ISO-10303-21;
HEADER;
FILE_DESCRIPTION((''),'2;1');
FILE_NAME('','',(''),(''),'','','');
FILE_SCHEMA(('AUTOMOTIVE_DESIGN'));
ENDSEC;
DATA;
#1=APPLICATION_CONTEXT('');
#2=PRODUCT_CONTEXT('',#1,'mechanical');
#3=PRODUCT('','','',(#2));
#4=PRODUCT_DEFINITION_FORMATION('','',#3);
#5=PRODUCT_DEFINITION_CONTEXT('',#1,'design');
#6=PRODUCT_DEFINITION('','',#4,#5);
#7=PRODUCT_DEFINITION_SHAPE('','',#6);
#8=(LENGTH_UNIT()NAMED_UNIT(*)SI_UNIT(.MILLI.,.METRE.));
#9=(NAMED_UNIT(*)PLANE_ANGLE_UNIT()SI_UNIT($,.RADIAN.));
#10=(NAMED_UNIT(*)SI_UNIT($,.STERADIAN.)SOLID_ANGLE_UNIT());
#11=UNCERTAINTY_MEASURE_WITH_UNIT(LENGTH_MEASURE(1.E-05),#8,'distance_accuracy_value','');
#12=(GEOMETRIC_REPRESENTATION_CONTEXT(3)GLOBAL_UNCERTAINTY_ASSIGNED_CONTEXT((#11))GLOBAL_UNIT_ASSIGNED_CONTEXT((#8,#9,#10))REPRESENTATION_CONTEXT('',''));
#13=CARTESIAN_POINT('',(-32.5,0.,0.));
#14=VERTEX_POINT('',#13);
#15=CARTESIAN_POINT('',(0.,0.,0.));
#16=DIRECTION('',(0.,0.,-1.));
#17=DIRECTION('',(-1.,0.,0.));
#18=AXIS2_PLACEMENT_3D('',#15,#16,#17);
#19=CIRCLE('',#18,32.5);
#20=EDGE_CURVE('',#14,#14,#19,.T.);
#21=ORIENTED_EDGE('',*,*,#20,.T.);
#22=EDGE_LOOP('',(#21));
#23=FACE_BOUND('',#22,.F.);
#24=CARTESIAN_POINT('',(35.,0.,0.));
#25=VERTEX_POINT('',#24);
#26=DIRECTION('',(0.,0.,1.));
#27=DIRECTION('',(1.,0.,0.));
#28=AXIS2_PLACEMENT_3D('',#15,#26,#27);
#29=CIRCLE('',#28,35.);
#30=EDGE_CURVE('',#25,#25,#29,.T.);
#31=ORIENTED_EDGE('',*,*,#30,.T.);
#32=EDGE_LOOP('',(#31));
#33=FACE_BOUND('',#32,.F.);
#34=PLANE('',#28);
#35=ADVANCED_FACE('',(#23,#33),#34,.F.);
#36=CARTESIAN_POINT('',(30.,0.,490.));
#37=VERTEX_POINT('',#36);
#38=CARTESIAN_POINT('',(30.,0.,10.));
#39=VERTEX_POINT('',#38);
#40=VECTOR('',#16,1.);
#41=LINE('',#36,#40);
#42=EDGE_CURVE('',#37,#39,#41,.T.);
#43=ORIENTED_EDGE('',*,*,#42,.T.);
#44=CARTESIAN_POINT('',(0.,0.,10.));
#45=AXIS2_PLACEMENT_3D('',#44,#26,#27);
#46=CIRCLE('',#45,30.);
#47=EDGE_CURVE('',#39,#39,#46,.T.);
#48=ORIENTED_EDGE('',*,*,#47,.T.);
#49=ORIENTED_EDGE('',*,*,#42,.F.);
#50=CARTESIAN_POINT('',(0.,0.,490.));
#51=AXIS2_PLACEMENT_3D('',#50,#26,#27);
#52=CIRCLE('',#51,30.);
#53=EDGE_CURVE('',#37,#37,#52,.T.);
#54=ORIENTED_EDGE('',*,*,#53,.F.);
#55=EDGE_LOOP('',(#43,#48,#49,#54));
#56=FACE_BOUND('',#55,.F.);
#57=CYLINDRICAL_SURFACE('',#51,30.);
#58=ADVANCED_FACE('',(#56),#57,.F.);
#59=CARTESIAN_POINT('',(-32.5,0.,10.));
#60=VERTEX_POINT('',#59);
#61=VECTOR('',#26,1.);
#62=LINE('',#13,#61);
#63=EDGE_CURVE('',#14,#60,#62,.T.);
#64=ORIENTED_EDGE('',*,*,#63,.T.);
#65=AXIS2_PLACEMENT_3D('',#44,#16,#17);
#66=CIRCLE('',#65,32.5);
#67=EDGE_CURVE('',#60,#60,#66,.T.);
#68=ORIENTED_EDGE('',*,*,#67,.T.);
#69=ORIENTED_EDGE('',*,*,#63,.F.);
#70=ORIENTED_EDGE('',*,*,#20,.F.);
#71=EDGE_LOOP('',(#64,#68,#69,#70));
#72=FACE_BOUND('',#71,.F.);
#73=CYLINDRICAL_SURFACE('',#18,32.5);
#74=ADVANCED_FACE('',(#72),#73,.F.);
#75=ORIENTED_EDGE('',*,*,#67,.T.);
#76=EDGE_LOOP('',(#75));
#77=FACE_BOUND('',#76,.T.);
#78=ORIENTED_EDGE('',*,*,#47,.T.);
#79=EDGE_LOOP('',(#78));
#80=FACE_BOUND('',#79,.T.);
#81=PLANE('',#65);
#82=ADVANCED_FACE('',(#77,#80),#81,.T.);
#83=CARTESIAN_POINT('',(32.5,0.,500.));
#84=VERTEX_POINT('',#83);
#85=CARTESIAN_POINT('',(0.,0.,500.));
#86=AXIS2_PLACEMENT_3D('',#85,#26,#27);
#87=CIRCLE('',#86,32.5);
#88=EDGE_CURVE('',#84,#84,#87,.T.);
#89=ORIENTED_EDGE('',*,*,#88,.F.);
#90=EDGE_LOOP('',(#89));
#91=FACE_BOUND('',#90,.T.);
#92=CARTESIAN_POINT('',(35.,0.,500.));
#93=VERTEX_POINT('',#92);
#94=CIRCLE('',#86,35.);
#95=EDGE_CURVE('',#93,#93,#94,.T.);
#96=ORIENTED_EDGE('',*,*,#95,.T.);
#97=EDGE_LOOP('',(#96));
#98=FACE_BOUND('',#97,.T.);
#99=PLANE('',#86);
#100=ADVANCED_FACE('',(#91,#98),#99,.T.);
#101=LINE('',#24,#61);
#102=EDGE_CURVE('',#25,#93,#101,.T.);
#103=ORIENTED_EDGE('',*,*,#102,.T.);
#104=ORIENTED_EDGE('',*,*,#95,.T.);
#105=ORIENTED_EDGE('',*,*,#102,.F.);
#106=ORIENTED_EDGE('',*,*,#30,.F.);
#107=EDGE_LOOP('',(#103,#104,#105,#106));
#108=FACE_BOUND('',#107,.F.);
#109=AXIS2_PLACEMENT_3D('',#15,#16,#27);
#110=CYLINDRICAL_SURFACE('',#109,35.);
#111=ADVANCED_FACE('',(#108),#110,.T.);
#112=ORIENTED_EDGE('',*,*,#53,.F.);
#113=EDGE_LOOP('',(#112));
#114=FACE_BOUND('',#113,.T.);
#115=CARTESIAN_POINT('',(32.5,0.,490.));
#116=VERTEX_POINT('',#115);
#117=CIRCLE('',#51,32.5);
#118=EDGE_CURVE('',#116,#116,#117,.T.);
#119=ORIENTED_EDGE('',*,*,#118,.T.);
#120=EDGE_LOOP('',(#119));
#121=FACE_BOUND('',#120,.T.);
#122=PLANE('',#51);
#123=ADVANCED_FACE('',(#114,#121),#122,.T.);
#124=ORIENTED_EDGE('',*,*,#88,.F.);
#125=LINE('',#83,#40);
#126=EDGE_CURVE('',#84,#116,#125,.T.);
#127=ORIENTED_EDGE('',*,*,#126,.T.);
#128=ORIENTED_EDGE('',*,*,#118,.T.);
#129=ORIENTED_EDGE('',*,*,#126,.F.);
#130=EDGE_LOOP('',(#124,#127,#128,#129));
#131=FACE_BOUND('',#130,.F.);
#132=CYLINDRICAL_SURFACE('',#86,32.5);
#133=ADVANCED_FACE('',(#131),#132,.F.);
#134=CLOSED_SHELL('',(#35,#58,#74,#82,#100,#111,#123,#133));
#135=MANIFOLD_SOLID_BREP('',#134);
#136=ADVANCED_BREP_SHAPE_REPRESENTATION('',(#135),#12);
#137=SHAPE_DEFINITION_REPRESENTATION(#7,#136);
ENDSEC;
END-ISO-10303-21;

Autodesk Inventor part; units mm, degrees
ref_plane "YZ Plane" through (0, 0, 0) normal (1, 0, 0) x (0, 1, 0)
ref_plane "XZ Plane" through (0, 0, 0) normal (0, 1, 0) x (-1, 0, 0)
ref_plane "XY Plane" through (0, 0, 0) normal (0, 0, 1) x (1, 0, 0)
sketch "Sketch1" plane through (0, 0, 0) normal (0, 0, 1) x (1, 0, 0)
  circle A0 centre (0, 0) radius 35
  dimension "d0" = 70
extrude "Extrusion1" add sketch "Sketch1" along normal blind 500
sketch "Sketch2" plane through (0, 0, 500) normal (0, 0, 1) x (1, 0, 0)
  circle A0 centre (0, 0) radius 32.5
  dimension "d3" = 65
extrude "Extrusion2" cut sketch "Sketch2" against normal blind 10
sketch "Sketch3" plane through (0, 0, 0) normal (0, 0, -1) x (-1, 0, 0)
  circle A0 centre (0, 0) radius 32.5
  dimension "d6" = 65
extrude "Extrusion3" cut sketch "Sketch3" against normal blind 10
sketch "Sketch4" plane through (0, 0, 490) normal (0, 0, 1) x (1, 0, 0)
  circle A0 centre (0, 0) radius 30
  dimension "d9" = 60
extrude "Extrusion4" cut sketch "Sketch4" against normal blind 500
properties part number "project roller 2 part 2"
